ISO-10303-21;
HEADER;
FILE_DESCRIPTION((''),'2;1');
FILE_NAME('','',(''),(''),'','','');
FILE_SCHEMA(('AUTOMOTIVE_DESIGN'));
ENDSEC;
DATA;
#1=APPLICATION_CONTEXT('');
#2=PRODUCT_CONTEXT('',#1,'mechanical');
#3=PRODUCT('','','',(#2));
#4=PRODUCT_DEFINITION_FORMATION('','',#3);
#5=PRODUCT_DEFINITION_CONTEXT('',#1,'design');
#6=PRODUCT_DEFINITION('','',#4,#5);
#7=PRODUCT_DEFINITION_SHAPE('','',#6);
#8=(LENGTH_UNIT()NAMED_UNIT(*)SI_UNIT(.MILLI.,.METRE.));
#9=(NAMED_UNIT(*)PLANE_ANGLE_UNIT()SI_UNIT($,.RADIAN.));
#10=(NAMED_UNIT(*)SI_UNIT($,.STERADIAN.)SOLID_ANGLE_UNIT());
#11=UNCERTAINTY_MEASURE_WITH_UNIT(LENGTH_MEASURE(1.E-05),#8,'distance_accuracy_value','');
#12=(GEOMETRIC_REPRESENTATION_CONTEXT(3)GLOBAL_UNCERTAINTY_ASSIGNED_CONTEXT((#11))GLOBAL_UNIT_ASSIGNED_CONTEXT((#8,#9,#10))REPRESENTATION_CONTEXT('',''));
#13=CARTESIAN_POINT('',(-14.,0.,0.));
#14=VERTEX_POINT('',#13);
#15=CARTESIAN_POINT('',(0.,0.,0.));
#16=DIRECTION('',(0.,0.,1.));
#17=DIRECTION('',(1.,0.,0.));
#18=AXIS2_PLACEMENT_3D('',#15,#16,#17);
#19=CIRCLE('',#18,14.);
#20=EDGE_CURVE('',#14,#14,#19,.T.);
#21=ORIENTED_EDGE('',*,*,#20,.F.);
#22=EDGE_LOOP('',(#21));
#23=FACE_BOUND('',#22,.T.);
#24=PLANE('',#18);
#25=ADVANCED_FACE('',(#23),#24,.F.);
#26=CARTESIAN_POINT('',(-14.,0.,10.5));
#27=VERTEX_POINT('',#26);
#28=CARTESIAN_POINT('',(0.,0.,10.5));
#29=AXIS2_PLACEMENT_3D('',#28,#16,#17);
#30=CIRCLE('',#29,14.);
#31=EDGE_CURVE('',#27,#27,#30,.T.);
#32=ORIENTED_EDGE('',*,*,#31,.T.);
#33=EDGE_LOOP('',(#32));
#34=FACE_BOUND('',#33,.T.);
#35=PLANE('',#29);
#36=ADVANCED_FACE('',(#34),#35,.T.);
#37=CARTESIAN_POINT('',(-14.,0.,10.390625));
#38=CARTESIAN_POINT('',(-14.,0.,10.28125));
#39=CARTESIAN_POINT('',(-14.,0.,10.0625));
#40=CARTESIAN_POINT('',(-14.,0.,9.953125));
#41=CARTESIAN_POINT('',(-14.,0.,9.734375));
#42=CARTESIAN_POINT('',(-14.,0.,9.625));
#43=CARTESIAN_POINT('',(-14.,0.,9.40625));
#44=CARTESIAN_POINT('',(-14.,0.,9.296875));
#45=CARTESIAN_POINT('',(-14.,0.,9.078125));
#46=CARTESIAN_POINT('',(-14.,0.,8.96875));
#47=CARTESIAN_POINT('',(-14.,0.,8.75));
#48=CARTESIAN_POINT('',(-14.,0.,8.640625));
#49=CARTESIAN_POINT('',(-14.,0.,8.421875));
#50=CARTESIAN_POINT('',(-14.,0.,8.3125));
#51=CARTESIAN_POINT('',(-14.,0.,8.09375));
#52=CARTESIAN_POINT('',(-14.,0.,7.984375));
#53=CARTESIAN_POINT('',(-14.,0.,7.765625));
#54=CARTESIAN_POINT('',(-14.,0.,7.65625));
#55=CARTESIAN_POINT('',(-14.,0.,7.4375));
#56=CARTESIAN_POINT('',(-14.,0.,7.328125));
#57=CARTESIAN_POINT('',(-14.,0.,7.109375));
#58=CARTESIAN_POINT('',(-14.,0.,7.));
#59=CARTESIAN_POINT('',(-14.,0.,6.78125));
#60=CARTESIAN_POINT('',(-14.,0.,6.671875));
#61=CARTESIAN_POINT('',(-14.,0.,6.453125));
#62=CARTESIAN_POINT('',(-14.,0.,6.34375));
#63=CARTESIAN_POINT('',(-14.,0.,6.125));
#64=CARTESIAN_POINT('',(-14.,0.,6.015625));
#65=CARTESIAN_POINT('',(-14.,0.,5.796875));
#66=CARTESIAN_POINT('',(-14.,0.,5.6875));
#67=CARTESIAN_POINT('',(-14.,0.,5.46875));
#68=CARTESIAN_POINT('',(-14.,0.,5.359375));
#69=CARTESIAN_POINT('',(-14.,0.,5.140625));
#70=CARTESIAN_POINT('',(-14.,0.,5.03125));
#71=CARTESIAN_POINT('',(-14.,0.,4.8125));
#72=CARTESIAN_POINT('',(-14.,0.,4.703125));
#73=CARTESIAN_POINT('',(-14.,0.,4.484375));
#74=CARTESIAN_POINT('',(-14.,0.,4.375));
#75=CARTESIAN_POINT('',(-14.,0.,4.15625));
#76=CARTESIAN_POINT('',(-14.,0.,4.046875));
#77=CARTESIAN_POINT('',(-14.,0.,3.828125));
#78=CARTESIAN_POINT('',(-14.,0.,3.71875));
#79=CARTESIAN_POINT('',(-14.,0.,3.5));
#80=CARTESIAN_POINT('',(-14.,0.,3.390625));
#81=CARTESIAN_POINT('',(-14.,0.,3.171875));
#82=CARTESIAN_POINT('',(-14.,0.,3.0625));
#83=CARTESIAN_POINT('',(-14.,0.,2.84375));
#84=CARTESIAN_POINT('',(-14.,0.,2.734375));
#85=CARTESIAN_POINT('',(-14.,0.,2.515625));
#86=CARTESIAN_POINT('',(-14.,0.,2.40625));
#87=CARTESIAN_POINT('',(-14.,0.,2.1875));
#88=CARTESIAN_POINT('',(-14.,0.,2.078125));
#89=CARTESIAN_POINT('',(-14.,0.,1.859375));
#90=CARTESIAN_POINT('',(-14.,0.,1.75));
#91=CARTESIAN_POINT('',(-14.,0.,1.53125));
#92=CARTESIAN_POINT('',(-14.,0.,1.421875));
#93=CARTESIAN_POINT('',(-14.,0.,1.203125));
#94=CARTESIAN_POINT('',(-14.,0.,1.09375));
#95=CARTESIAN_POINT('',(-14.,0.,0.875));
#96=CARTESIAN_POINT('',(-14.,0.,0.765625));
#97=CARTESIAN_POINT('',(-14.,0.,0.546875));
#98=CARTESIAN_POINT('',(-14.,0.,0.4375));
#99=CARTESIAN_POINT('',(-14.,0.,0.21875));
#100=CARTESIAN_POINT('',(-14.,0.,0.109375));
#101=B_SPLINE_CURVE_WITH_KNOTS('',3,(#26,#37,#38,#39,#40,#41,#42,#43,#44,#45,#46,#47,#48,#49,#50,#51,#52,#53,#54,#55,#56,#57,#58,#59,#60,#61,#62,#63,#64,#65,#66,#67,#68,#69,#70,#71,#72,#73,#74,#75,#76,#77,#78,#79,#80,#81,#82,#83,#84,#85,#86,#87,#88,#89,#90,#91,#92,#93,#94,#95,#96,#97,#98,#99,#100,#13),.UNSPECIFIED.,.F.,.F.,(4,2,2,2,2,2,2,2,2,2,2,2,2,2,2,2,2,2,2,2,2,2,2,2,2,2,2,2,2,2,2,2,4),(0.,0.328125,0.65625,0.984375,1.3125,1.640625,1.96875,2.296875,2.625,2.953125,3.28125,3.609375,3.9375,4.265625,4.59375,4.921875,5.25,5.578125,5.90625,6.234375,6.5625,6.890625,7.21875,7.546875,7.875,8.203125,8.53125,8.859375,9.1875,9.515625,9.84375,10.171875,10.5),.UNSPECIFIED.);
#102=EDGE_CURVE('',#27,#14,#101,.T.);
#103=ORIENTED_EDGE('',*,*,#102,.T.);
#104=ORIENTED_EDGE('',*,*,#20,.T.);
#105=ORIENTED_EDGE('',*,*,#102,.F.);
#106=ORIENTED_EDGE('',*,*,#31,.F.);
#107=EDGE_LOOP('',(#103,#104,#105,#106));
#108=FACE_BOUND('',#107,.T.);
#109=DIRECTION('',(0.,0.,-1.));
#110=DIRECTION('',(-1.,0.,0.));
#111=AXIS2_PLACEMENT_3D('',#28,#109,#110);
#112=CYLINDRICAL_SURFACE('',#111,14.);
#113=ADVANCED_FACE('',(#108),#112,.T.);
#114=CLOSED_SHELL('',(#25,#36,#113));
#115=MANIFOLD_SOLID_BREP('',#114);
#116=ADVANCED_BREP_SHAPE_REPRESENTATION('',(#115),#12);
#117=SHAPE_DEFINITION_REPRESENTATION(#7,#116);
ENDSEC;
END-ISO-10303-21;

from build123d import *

# Parameters (mm, degrees)
SZKIC1_R                    = 14
DODANIE_WYCI_GNI_CIE1_DEPTH = 10.5


with BuildPart() as part:
    # Szkic1 → Dodanie-wyciągnięcie1 (new body)
    with BuildSketch(Plane.XY):
        with Locations(Location((0, 0, 0), (0, 0, 180))):
            Circle(SZKIC1_R)
    extrude(amount=DODANIE_WYCI_GNI_CIE1_DEPTH)


solid = part.part
